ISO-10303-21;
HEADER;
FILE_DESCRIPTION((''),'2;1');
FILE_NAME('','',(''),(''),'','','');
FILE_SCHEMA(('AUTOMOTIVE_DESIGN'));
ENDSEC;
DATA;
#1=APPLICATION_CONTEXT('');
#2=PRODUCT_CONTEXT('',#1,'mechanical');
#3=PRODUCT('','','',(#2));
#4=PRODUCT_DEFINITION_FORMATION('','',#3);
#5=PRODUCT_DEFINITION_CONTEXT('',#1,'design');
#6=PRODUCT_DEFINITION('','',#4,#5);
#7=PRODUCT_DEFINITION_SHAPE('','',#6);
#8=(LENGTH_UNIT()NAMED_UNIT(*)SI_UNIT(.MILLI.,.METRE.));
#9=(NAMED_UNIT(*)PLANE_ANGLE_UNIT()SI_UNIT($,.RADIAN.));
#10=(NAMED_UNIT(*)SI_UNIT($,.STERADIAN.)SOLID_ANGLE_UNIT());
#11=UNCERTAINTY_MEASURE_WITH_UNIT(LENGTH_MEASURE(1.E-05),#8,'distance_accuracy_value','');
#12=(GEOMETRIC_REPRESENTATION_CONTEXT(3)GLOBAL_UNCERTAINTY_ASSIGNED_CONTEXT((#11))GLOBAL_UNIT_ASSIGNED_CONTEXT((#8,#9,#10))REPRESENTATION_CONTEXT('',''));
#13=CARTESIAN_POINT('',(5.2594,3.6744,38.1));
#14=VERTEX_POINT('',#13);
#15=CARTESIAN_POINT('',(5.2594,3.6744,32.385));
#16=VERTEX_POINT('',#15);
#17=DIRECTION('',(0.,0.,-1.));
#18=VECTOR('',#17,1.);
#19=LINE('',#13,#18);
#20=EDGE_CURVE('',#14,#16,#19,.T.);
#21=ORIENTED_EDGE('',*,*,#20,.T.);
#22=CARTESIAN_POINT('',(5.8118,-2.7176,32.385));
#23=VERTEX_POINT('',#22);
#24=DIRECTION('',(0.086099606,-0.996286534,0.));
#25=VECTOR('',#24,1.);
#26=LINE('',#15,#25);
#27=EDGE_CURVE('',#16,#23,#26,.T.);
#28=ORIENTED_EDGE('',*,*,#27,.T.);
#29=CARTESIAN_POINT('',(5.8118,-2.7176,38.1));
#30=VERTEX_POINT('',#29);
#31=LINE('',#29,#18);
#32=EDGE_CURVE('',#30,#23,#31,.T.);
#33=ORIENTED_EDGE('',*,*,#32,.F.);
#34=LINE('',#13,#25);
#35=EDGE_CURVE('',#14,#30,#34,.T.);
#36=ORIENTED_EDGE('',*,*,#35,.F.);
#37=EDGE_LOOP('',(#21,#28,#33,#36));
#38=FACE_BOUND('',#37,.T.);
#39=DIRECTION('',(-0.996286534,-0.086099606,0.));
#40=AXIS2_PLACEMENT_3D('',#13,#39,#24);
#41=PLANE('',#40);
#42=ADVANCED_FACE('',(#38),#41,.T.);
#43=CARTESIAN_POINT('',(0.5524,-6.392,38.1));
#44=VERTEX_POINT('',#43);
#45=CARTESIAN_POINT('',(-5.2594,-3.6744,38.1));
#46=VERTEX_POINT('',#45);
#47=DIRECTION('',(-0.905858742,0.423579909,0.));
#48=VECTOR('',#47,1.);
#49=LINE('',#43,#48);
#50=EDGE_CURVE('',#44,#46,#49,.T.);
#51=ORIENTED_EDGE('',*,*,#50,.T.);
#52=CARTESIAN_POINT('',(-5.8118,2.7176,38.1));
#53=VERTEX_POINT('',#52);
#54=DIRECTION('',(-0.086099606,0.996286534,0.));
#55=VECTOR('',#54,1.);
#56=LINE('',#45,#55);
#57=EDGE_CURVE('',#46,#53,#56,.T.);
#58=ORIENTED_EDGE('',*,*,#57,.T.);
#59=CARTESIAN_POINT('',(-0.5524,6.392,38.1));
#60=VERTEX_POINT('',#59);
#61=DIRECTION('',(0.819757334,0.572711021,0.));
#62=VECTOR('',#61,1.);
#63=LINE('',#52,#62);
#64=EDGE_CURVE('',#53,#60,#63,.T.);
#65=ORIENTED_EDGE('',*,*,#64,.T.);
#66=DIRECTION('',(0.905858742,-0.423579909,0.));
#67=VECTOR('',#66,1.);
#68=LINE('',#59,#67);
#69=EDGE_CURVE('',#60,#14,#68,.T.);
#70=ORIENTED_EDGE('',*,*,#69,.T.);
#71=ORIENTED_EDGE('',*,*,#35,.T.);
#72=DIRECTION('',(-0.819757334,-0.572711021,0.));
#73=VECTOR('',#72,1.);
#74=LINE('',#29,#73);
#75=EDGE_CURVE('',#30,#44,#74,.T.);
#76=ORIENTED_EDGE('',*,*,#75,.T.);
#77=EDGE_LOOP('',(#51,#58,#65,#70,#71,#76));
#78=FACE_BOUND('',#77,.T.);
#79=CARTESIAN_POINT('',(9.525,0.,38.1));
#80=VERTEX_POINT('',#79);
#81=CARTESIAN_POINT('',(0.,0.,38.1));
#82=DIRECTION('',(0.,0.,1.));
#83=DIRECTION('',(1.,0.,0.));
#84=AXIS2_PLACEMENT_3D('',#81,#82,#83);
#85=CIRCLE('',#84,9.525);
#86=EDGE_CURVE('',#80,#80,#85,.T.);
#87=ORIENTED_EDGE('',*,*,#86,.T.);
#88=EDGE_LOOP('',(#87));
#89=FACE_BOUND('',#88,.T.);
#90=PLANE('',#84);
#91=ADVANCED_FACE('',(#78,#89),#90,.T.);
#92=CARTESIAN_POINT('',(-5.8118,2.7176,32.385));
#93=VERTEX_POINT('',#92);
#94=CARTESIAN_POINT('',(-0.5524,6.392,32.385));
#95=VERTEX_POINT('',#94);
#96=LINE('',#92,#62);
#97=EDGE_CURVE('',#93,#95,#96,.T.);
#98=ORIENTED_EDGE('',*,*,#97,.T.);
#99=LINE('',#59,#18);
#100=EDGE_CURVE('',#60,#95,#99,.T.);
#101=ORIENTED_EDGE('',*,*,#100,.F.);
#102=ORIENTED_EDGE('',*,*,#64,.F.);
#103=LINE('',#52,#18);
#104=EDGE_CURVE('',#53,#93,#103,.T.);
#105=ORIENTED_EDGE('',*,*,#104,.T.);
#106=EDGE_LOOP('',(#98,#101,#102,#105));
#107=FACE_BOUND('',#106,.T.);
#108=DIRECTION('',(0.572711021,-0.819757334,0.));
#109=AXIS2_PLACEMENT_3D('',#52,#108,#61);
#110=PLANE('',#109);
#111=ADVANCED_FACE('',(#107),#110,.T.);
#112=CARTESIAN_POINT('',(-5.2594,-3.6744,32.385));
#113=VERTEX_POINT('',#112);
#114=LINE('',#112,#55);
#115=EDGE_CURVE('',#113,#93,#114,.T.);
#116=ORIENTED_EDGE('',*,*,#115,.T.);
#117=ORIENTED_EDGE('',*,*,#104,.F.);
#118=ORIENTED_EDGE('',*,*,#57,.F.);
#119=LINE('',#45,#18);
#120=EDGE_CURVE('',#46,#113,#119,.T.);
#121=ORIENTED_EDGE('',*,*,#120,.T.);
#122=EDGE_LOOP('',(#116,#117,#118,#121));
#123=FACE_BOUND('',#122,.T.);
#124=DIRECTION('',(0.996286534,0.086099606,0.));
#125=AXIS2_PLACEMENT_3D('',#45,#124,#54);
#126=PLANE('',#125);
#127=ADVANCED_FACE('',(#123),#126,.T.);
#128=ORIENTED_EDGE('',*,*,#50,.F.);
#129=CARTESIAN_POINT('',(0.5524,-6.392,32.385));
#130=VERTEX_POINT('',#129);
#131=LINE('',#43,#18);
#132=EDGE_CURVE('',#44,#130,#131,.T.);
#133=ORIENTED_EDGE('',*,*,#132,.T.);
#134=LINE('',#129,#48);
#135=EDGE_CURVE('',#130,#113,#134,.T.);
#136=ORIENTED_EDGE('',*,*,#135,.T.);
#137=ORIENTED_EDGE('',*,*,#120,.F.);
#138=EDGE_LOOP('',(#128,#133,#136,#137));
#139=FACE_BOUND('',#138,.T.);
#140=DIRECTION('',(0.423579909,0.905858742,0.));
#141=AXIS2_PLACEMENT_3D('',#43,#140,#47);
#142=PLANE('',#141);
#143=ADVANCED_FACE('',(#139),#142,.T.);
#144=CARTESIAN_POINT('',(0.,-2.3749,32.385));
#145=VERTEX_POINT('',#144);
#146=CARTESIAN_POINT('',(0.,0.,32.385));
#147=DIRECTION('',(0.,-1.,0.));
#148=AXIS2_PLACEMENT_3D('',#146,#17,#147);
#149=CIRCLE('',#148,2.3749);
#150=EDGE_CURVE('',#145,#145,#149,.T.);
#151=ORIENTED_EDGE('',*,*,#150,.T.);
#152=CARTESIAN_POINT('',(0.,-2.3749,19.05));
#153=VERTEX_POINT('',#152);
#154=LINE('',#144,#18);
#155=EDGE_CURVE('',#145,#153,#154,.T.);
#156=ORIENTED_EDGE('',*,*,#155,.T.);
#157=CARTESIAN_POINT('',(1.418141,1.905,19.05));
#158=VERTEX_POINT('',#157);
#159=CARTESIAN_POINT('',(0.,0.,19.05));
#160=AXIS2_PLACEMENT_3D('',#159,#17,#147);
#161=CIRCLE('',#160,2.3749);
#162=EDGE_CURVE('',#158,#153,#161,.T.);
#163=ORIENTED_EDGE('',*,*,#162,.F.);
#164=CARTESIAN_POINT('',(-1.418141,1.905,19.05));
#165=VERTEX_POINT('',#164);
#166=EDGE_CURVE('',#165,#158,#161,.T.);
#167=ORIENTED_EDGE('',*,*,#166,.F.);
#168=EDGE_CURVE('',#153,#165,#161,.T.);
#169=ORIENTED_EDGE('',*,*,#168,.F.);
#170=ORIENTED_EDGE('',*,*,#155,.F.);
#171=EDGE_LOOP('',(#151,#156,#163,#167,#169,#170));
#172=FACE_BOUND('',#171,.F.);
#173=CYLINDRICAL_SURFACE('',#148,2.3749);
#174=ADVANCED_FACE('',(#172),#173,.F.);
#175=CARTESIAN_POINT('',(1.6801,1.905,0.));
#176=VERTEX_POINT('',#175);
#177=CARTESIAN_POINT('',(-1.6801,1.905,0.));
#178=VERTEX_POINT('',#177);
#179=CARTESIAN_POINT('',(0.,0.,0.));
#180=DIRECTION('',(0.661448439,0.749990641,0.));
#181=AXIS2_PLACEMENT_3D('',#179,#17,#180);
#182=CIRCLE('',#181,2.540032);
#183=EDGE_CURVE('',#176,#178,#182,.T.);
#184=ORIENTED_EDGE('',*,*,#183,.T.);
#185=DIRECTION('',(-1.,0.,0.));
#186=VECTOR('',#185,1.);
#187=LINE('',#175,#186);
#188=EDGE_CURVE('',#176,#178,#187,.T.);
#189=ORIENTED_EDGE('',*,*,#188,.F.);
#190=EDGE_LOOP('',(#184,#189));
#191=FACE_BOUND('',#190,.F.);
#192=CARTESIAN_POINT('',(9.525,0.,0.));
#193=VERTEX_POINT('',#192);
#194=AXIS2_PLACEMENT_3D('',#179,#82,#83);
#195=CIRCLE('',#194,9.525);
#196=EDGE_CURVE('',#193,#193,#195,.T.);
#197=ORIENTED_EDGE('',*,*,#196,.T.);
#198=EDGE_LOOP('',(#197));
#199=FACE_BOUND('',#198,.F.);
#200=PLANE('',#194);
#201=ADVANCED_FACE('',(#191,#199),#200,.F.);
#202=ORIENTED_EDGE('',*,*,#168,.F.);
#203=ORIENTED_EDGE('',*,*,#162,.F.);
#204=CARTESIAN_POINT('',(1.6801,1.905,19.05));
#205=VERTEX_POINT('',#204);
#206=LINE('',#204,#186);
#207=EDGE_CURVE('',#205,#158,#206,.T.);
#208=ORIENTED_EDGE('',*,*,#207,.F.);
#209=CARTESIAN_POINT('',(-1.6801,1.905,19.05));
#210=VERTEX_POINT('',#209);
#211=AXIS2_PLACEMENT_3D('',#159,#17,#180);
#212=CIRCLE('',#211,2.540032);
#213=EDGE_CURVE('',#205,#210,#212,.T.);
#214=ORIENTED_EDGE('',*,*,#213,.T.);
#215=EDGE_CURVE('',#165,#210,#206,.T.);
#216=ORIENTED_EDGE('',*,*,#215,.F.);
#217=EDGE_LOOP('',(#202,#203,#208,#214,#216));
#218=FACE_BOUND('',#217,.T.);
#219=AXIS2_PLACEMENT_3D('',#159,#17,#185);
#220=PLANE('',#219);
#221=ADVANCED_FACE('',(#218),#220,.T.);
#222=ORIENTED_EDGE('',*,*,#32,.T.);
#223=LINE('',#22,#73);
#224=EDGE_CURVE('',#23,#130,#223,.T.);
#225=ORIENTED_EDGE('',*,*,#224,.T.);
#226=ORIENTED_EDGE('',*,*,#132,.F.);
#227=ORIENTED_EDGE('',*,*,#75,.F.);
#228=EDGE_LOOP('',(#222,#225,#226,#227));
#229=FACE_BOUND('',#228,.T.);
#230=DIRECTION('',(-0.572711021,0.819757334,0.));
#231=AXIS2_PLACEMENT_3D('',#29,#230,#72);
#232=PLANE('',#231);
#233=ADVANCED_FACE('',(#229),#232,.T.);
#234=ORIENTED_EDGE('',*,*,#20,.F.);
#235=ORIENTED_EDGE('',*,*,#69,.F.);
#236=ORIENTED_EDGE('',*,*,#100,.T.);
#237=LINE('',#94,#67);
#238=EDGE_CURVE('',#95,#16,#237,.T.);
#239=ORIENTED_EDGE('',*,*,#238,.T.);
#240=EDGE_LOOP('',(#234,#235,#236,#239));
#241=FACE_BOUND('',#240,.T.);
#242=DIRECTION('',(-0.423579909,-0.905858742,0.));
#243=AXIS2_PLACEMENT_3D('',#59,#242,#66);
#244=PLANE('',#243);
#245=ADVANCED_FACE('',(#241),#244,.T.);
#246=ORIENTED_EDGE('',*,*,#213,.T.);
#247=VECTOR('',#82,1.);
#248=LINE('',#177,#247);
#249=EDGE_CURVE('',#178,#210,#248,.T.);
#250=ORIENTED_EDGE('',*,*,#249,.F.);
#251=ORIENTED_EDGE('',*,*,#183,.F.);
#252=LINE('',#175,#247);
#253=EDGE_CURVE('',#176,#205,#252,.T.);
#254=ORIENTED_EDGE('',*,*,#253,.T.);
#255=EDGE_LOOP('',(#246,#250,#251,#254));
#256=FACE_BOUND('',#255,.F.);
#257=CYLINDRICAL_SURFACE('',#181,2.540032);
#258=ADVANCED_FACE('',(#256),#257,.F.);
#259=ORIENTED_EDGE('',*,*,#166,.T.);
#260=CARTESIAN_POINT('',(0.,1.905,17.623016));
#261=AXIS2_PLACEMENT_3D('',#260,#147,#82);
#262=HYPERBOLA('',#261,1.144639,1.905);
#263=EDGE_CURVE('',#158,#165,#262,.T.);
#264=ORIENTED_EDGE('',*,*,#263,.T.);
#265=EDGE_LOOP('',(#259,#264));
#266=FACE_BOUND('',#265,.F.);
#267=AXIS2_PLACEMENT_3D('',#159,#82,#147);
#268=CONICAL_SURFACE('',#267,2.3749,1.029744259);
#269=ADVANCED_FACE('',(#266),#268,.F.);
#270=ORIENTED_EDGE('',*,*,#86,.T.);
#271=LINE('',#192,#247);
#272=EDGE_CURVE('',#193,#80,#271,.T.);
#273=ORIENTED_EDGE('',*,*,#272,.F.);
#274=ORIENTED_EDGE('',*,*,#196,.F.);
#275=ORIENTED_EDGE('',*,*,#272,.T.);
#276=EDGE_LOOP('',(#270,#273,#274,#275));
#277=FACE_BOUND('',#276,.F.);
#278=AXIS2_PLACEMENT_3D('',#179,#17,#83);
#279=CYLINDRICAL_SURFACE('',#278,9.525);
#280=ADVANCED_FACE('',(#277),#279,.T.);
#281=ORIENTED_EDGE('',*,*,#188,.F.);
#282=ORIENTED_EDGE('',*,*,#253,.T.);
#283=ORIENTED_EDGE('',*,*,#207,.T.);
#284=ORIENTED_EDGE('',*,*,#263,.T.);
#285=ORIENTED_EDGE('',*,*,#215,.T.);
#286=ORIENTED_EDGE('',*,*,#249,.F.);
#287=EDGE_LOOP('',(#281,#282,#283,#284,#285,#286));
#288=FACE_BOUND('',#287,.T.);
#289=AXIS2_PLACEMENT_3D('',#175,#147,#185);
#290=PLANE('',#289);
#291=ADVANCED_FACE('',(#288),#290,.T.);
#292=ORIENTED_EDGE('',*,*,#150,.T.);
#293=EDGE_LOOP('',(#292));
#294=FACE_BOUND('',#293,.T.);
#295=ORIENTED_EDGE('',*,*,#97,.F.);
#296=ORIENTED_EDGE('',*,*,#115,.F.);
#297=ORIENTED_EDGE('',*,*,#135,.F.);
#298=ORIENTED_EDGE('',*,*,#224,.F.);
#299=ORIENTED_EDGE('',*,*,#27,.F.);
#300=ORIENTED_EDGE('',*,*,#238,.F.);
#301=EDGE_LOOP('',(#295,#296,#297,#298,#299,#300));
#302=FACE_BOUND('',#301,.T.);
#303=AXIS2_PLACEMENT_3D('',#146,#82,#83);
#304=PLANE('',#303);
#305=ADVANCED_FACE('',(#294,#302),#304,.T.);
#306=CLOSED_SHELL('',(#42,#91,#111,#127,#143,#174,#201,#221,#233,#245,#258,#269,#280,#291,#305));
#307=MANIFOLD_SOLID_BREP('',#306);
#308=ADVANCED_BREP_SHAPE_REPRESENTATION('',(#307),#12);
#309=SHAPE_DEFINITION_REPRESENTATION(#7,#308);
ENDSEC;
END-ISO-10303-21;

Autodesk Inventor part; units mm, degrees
ref_plane "YZ Plane" through (0, 0, 0) normal (1, 0, 0) x (0, 1, 0)
ref_plane "XZ Plane" through (0, 0, 0) normal (0, 1, 0) x (-1, 0, 0)
ref_plane "XY Plane" through (0, 0, 0) normal (0, 0, 1) x (1, 0, 0)
sketch "Sketch3" plane through (0, 0, 0) normal (0, 0, 1) x (1, 0, 0)
  circle A0 centre (0, 0) radius 9.525
  dimension "d7" = 19.05
extrude "Extrusion3" add sketch "Sketch3" along normal blind 38.1
sketch "Sketch4" plane through (0, 0, 38.1) normal (0, 0, 1) x (1, 0, 0)
  line L0 (5.2594, 3.6744) -> (5.8118, -2.7176)
  line L1 (5.8118, -2.7176) -> (0.5524, -6.392)
  line L2 (0.5524, -6.392) -> (-5.2594, -3.6744)
  line L3 (-5.2594, -3.6744) -> (-5.8118, 2.7176)
  line L4 (-5.8118, 2.7176) -> (-0.5524, 6.392)
  line L5 (-0.5524, 6.392) -> (5.2594, 3.6744)
  point P0 (0, 0)
  point P1 (0, 0)
  dimension "d10" = 11.1125
extrude "Extrusion4" cut sketch "Sketch4" against normal blind 5.715
sketch "Sketch5" plane through (0, 0, 32.385) normal (0, 0, 1) x (1, 0, 0)
  circle A0 centre (0, 0) radius 2.3749
  dimension "d13" = 4.7498
hole "Hole1" at (0, 0, 32.385) direction (0, 0, -1) diameter 4.7498 depth 13.335 tip angle 118
sketch "Sketch6" plane through (0, 0, 0) normal (0, 0, -1) x (-1, 0, 0)
  point P0 (0, 0)
sketch "Sketch7" plane through (0, 0, 0) normal (0, 0, -1) x (-1, 0, 0)
  point P0 (0, 0)
sketch "Sketch8" plane through (0, 0, 0) normal (0, 0, -1) x (-1, 0, 0)
  arc A0 (-1.6801, 1.905) -> (1.6801, 1.905) centre (0, 0) ccw
  line L0 (-1.6801, 1.905) -> (1.6801, 1.905)
  dimension "d21" = 5.08
extrude "Extrusion5" cut sketch "Sketch8" against normal blind 19.05
properties part number "Vertical Sedder motor and rail coupler"
